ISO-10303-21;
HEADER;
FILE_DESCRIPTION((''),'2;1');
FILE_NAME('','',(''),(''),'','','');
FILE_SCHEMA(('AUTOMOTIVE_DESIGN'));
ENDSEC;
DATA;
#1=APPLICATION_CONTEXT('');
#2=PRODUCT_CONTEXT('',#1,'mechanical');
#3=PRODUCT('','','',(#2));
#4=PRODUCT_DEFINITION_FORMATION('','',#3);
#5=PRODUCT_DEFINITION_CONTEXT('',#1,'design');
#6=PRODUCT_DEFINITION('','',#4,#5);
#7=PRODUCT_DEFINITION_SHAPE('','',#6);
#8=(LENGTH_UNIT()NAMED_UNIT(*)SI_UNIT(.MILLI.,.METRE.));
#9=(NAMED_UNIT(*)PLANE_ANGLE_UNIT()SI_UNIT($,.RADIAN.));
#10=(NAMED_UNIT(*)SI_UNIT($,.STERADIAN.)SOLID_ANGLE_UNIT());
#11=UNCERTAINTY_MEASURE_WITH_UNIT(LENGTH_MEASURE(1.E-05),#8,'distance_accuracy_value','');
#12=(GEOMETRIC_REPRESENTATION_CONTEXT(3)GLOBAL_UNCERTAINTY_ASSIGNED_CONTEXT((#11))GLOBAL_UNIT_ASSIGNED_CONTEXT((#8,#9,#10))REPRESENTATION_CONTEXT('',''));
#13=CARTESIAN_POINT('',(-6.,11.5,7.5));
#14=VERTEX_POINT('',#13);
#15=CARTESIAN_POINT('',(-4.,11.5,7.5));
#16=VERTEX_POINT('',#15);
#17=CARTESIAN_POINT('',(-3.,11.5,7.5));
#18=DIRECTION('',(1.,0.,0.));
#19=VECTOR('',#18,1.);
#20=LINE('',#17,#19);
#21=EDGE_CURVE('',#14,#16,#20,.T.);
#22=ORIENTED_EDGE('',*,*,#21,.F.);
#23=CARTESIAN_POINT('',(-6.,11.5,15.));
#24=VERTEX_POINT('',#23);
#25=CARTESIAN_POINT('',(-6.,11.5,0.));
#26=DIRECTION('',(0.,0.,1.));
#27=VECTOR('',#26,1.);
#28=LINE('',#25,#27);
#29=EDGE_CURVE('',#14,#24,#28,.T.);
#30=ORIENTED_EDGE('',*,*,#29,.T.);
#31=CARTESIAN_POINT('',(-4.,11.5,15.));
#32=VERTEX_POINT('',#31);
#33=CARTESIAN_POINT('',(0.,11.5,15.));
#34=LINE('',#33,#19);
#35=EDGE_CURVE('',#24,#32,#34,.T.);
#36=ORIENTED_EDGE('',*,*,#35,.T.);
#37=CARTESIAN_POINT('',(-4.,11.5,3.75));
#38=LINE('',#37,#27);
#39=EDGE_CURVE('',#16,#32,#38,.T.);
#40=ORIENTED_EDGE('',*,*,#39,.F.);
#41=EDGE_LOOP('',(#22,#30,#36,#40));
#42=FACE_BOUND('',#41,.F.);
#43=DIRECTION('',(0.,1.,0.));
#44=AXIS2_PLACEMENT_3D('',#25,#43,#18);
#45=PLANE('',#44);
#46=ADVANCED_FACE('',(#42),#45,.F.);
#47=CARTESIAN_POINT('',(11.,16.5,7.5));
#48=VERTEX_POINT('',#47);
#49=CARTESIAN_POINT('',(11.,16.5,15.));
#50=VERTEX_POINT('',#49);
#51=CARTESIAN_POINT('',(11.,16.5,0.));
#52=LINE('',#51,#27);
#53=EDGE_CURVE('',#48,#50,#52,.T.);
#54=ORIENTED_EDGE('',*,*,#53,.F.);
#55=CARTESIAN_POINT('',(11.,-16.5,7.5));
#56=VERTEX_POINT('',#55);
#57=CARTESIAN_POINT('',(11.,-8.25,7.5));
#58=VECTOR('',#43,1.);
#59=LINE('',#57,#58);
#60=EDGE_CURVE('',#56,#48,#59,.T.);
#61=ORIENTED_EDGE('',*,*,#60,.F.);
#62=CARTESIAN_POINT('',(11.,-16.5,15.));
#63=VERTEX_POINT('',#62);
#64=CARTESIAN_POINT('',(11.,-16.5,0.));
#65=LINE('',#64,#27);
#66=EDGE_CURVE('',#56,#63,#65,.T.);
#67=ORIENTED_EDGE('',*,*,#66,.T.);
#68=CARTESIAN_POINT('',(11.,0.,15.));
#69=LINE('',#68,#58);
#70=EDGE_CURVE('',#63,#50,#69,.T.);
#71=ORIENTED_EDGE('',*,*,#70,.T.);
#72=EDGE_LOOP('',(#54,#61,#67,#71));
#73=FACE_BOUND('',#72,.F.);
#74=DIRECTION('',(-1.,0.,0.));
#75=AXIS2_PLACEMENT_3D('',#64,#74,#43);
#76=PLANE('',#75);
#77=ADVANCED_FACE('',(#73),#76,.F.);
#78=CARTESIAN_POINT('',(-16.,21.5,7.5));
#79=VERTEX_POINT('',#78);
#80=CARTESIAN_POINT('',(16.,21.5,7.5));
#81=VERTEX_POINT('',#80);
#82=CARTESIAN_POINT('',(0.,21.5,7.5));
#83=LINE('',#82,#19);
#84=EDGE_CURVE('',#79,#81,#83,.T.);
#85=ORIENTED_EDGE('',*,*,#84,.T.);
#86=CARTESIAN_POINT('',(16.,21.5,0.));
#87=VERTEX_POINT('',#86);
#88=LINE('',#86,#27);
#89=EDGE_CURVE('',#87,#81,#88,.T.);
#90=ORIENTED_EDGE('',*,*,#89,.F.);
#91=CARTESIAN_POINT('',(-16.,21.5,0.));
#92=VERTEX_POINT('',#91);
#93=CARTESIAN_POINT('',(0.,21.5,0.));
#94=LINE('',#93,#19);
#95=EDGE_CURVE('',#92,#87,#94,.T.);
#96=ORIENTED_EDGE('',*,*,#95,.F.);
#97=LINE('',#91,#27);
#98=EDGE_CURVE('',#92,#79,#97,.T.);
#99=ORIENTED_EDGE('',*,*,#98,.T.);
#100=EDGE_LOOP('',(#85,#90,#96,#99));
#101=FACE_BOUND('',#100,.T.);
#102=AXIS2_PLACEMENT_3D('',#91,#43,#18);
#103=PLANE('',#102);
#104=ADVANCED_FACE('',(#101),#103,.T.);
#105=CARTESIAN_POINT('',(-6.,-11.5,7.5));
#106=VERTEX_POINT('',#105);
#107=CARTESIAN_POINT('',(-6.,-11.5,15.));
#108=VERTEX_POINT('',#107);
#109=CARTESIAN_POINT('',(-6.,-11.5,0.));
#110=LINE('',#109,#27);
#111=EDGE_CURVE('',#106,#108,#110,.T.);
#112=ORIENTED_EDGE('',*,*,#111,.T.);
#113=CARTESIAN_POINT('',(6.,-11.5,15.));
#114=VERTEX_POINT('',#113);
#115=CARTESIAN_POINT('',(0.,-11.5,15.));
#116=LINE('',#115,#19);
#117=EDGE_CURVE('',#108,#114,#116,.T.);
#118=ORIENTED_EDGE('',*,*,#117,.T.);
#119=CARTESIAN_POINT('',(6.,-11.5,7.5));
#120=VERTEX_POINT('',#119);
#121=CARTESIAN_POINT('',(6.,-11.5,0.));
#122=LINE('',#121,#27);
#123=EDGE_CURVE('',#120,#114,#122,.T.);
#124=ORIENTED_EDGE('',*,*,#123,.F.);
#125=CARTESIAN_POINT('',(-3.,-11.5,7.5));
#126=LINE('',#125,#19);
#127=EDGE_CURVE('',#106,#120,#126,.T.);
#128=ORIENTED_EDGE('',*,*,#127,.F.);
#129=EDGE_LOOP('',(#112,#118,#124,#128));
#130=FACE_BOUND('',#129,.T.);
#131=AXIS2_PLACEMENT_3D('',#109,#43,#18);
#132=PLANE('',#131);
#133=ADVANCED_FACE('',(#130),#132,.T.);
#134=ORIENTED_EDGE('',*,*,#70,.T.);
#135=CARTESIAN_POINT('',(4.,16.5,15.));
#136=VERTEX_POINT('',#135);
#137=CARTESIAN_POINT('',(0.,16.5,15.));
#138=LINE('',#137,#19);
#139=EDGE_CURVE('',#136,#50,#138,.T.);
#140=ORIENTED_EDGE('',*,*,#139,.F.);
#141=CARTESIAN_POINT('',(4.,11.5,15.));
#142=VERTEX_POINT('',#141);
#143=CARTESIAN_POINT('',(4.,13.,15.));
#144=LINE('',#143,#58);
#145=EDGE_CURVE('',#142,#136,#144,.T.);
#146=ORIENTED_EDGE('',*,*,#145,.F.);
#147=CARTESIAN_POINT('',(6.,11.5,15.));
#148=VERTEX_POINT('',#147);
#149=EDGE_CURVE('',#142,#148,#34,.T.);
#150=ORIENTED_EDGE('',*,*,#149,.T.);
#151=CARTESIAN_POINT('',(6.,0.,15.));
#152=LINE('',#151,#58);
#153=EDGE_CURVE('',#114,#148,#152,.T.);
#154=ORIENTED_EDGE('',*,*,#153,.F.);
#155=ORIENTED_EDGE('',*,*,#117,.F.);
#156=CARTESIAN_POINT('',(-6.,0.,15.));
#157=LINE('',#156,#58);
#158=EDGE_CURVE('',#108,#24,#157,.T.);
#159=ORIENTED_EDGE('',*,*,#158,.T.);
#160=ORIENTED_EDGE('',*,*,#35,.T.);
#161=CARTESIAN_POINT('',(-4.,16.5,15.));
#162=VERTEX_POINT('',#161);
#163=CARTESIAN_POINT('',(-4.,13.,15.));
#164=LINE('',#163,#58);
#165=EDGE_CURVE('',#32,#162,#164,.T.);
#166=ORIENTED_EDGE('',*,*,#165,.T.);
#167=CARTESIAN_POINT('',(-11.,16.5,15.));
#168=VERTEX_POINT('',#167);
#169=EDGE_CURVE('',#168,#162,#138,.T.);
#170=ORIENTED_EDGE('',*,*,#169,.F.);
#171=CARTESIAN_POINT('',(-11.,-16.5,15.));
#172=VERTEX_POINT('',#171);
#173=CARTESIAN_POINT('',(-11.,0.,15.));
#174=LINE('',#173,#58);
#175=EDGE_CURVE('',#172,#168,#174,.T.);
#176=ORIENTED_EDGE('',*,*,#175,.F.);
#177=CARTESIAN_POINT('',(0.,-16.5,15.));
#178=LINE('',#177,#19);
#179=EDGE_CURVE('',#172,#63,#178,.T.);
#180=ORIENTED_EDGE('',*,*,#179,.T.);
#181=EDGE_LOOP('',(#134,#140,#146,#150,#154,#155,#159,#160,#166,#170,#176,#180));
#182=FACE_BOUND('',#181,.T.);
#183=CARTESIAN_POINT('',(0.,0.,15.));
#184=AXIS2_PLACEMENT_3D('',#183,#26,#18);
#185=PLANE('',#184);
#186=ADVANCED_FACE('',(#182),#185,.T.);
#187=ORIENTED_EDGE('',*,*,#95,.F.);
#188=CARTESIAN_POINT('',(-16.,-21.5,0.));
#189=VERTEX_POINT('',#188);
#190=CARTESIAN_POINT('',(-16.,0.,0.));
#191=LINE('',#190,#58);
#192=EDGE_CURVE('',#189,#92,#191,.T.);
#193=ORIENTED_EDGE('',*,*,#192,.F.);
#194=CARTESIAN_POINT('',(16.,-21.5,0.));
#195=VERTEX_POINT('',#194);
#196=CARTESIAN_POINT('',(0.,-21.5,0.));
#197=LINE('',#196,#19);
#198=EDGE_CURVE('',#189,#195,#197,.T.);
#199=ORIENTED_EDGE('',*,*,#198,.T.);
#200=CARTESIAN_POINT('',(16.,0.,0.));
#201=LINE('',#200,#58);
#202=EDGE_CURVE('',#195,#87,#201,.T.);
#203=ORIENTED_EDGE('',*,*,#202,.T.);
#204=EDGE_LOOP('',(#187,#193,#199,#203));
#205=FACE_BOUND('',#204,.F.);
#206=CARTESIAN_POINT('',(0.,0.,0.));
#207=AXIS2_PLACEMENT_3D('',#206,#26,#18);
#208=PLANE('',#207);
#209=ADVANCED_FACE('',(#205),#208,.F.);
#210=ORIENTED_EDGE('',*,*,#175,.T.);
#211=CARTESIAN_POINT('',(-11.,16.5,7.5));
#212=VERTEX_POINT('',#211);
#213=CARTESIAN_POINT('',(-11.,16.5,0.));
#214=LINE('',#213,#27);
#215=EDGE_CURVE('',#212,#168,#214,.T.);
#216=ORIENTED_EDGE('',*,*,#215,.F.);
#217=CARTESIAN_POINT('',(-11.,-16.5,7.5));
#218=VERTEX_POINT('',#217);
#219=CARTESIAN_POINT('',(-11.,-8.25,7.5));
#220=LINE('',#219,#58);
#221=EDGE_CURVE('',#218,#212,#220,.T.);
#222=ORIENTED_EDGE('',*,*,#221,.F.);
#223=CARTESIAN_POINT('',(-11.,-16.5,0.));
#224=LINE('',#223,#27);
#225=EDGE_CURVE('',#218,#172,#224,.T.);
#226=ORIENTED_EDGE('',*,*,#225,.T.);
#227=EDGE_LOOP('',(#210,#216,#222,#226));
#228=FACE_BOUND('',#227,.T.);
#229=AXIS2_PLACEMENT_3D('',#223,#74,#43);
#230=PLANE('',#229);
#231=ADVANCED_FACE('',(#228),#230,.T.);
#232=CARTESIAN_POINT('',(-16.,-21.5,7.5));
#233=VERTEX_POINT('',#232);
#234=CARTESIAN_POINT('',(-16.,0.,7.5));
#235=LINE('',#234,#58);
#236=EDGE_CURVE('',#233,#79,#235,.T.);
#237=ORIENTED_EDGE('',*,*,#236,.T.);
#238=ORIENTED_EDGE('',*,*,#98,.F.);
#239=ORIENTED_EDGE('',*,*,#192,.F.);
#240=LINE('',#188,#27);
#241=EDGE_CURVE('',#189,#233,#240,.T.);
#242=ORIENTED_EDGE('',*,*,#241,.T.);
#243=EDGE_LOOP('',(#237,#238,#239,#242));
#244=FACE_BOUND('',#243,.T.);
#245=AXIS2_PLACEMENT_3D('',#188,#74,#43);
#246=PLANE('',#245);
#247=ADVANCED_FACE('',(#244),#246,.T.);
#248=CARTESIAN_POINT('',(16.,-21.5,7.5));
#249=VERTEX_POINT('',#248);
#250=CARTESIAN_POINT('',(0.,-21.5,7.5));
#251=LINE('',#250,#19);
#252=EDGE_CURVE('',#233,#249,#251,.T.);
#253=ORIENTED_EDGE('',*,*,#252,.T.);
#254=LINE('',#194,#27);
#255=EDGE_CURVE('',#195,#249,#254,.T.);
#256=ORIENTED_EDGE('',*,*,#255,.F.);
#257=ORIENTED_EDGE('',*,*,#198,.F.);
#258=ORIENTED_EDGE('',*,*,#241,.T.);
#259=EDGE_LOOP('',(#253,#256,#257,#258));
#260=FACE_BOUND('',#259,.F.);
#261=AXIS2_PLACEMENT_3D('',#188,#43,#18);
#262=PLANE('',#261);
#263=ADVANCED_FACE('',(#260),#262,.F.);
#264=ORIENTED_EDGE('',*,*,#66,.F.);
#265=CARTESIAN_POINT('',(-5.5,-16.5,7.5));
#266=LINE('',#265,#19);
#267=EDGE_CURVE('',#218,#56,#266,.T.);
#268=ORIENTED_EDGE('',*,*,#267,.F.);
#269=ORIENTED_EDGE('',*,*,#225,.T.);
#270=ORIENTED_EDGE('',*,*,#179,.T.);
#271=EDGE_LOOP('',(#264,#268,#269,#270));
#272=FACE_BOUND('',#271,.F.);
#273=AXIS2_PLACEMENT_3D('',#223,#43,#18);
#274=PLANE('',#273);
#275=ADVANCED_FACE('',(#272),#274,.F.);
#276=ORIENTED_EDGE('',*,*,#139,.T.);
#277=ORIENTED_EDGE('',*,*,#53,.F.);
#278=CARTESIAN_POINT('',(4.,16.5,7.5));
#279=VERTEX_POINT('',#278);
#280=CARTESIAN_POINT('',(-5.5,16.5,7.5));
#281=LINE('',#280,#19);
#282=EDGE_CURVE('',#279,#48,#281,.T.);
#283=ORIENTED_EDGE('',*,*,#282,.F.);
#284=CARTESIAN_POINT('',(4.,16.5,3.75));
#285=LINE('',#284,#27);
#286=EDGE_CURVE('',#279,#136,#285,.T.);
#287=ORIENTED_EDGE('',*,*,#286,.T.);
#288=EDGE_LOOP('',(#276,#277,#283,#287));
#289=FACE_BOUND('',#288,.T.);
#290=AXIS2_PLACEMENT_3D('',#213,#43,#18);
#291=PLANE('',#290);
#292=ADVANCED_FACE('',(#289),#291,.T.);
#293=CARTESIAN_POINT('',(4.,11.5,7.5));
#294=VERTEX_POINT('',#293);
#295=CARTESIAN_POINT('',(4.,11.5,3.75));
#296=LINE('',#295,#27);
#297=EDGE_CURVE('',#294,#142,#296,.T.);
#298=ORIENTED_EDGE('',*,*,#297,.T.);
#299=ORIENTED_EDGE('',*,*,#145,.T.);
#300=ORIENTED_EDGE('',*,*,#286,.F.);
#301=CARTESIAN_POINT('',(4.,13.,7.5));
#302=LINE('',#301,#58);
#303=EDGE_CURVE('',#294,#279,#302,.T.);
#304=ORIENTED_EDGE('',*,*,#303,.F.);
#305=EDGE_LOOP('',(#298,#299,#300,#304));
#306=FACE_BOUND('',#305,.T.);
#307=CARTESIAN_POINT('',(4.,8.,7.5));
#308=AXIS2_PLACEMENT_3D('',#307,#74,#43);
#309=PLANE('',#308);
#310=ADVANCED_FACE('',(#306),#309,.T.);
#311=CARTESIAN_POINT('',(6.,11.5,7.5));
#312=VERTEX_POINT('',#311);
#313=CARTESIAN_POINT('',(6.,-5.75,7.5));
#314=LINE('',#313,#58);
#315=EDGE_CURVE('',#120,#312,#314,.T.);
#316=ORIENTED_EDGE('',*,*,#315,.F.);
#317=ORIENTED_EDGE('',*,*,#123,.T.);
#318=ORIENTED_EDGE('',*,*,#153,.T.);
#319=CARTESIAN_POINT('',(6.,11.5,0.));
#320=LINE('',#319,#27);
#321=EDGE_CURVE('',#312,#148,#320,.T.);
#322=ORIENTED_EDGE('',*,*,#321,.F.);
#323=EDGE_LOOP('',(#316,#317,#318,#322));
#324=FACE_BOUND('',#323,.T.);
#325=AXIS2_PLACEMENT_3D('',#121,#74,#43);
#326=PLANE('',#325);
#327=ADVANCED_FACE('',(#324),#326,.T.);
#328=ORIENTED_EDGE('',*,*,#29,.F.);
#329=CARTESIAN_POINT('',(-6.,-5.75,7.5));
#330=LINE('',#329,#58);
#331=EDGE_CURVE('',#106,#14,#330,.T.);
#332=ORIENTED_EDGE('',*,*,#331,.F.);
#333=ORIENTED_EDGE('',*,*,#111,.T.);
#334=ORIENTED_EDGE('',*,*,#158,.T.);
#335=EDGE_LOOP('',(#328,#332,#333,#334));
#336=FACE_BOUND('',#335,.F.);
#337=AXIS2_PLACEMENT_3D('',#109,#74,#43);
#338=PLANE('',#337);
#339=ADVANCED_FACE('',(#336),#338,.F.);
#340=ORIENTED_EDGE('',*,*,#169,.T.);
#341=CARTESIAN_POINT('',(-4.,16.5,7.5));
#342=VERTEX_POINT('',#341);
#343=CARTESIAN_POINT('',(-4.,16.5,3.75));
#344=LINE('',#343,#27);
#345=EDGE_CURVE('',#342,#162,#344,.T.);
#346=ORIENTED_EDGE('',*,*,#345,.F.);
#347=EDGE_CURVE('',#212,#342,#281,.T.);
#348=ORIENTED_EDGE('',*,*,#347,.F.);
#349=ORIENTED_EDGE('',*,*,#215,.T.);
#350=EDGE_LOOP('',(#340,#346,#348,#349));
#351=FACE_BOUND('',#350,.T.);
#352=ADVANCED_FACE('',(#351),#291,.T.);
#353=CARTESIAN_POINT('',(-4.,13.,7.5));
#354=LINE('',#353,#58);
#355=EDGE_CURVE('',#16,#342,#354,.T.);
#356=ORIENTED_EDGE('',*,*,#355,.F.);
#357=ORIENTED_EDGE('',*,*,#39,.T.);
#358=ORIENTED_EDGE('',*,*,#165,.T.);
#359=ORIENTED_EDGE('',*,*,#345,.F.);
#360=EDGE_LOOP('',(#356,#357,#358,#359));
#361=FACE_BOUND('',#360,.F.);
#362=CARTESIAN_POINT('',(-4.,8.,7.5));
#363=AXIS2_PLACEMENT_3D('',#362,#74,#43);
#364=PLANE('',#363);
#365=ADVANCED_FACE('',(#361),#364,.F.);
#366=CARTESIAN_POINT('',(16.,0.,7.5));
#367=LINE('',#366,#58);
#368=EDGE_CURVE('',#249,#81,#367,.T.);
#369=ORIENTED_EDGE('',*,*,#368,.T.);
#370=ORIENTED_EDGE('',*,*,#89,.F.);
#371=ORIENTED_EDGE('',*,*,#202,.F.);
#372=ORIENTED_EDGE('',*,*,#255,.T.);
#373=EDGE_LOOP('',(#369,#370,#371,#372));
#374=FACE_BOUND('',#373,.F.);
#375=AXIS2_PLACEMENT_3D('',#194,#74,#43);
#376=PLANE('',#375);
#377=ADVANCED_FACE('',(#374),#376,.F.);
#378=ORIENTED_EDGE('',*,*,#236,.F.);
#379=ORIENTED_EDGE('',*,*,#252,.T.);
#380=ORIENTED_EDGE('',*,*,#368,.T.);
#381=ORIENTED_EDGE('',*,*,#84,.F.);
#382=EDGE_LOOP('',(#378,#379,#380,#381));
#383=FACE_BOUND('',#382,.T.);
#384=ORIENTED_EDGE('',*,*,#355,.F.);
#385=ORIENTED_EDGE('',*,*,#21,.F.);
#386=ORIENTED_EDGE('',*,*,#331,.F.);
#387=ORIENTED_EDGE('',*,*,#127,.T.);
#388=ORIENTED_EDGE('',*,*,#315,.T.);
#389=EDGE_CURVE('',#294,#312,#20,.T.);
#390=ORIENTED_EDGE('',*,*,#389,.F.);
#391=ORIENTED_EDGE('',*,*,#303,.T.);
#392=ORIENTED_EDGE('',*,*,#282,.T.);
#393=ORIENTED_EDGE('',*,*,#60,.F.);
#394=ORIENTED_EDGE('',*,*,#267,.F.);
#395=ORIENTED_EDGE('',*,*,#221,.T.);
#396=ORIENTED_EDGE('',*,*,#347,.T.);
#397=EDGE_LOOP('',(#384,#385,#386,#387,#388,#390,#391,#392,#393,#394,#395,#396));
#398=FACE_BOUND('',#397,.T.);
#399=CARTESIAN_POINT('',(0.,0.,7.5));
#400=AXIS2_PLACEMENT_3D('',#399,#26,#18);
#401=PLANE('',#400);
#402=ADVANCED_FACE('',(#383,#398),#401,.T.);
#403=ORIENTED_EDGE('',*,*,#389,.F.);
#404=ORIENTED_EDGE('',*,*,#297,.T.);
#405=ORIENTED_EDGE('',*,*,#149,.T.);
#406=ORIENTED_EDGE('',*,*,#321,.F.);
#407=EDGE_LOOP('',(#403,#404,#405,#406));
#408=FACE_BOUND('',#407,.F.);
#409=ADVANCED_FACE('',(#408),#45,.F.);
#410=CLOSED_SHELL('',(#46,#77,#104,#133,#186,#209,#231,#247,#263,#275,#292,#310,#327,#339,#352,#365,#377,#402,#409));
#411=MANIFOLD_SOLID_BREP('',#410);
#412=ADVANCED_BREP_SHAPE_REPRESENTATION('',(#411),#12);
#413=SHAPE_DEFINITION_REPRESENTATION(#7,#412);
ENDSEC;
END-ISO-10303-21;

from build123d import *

# Parameters (mm, degrees)
BOX_W        = 8
BOX_H        = 10
BOX_DEPTH    = 7.5
SKETCH001_W  = 32
SKETCH001_H  = 43
PAD001_DEPTH = 7.5
SKETCH_W     = 22
SKETCH_H     = 33
SKETCH_W_2   = 12
SKETCH_H_2   = 23
PAD_DEPTH    = 15


with BuildPart() as cube:
    # Box → Box (new body)
    with BuildSketch(Plane(origin=(-4, 8, 7.5), x_dir=(1, 0, 0), z_dir=(0, 0, 1))):
        with Locations((4, 5)):
            Rectangle(BOX_W, BOX_H)
    extrude(amount=BOX_DEPTH)


with BuildPart() as body001:
    # Sketch001 → Pad001 (new body)
    with BuildSketch(Plane.XY):
        Rectangle(SKETCH001_W, SKETCH001_H)
    extrude(amount=PAD001_DEPTH)


with BuildPart() as cut:
    # Sketch → Pad (new body)
    with BuildSketch(Plane.XY):
        Rectangle(SKETCH_W, SKETCH_H)
        Rectangle(SKETCH_W_2, SKETCH_H_2, mode=Mode.SUBTRACT)
    extrude(amount=PAD_DEPTH)

    # Fusion: union Body001
    add(body001.part)

    # Cut: cut Cube
    add(cube.part, mode=Mode.SUBTRACT)


solid = cut.part
